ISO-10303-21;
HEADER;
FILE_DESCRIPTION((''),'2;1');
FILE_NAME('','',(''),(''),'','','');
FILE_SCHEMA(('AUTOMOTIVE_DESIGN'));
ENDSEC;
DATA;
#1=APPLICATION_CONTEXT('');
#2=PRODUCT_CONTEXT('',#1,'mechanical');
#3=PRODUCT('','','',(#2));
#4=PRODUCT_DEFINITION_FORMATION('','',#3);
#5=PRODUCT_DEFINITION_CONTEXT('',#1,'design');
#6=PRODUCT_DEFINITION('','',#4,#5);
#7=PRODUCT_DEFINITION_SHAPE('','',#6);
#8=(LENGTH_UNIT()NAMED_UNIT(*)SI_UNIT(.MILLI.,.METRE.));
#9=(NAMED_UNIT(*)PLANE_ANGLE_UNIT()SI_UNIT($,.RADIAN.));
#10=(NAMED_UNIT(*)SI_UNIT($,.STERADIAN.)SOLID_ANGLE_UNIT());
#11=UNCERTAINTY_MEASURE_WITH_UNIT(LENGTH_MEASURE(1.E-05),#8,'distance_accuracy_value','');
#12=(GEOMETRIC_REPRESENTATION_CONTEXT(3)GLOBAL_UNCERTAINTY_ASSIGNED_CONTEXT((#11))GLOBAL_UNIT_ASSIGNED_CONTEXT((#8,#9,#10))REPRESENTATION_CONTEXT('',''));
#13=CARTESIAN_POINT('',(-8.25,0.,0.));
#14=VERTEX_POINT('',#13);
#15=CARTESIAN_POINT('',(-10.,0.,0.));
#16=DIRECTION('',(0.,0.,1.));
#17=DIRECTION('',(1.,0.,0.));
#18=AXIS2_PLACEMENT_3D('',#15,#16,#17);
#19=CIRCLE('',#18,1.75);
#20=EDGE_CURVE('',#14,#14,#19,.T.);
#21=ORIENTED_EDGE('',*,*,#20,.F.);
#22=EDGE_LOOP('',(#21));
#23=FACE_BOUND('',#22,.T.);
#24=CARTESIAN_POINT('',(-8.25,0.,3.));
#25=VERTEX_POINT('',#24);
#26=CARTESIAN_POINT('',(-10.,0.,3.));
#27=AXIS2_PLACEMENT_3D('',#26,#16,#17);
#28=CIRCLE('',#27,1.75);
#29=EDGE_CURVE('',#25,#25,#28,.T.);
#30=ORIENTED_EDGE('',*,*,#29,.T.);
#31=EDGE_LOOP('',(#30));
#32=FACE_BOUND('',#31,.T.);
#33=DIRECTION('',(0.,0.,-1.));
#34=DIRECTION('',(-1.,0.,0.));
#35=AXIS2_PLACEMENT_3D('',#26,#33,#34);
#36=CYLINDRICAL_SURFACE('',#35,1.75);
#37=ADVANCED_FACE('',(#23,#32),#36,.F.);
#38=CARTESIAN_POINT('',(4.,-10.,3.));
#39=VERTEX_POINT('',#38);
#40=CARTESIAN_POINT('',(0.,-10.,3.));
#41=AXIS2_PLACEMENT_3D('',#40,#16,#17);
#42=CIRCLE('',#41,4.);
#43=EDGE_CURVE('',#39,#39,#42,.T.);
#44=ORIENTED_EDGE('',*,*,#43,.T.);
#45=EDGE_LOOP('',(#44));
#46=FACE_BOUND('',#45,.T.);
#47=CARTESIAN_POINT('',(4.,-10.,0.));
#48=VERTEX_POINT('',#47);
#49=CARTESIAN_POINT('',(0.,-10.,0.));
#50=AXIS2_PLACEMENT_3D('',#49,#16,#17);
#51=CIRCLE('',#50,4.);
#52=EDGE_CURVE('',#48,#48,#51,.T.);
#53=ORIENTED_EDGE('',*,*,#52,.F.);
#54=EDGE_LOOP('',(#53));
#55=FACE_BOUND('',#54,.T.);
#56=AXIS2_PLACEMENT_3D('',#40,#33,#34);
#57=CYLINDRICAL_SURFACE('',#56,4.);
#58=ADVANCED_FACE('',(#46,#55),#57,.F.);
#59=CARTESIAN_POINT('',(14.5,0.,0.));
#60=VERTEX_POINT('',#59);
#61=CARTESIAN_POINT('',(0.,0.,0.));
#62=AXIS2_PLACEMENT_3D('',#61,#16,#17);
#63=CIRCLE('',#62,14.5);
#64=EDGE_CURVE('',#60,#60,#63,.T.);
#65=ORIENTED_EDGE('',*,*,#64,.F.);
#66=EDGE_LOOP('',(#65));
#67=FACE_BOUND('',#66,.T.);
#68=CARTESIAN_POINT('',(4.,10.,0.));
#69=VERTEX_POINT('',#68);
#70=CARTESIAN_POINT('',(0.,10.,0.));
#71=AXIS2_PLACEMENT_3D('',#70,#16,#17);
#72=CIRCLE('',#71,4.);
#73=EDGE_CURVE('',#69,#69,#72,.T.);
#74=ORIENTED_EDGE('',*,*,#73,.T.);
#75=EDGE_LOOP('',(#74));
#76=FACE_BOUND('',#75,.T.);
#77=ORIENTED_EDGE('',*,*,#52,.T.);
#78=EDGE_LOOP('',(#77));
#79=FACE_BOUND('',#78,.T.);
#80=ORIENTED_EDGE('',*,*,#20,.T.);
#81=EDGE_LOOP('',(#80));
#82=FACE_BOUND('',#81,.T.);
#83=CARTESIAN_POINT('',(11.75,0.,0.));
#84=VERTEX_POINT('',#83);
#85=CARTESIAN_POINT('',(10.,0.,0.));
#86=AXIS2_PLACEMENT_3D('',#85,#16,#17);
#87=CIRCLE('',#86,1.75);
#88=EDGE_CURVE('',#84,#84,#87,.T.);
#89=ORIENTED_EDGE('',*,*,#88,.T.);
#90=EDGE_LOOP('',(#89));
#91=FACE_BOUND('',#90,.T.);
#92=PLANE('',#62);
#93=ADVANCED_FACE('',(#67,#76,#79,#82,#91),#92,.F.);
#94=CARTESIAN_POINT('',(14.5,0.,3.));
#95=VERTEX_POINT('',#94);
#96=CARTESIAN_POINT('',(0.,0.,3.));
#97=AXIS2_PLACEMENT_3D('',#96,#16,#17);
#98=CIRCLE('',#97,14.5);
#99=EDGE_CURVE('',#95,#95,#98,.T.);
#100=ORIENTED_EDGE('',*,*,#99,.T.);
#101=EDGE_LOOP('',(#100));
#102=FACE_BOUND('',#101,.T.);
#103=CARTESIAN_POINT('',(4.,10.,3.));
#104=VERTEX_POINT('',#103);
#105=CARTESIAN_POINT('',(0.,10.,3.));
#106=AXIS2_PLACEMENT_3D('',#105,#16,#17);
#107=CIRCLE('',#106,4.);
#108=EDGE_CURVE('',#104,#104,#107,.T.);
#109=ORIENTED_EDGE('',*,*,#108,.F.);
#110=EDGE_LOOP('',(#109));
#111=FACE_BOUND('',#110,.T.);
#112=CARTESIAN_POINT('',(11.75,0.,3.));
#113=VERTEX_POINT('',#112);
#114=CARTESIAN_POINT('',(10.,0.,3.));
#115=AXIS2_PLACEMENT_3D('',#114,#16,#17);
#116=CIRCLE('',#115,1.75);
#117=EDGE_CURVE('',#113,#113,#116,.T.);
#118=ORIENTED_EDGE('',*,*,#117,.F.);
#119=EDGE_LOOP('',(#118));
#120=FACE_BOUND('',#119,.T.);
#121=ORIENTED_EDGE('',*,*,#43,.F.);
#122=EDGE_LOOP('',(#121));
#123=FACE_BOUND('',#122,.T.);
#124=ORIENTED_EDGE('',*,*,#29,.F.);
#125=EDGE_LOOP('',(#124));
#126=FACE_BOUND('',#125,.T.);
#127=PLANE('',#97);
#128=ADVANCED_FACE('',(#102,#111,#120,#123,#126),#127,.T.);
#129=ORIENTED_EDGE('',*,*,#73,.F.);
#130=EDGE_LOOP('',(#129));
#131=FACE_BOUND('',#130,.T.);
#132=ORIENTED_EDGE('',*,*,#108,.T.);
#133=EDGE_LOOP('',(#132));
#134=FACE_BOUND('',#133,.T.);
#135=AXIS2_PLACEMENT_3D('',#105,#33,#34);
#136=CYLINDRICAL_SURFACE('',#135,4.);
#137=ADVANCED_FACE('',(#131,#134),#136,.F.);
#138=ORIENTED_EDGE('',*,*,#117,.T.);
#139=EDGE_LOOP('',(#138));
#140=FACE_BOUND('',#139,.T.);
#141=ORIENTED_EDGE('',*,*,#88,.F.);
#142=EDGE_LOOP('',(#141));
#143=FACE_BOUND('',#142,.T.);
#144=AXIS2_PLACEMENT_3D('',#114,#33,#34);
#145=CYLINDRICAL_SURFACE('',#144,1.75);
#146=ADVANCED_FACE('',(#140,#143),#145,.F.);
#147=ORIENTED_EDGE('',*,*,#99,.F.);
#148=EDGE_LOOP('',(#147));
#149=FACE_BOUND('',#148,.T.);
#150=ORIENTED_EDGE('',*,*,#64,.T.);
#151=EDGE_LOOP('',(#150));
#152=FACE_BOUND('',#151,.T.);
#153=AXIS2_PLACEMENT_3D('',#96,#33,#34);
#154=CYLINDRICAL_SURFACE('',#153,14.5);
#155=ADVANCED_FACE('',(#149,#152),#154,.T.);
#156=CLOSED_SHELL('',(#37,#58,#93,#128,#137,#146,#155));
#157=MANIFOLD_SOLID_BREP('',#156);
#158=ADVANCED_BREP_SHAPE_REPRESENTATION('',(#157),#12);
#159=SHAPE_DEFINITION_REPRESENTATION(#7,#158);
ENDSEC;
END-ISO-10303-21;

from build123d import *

# Parameters (mm, degrees)
SKETCH1_R           = 14.5
SKETCH1_R_2         = 1.75
SKETCH1_R_3         = 4
BOSS_EXTRUDE1_DEPTH = 3


with BuildPart() as part:
    # Sketch1 → Boss-Extrude1 (new body)
    with BuildSketch(Plane.XY):
        Circle(SKETCH1_R)
        with Locations((-10, 0)):
            Circle(SKETCH1_R_2, mode=Mode.SUBTRACT)
        with Locations((10, 0)):
            Circle(SKETCH1_R_2, mode=Mode.SUBTRACT)
        with Locations((0, -10)):
            Circle(SKETCH1_R_3, mode=Mode.SUBTRACT)
        with Locations((0, 10)):
            Circle(SKETCH1_R_3, mode=Mode.SUBTRACT)
    extrude(amount=BOSS_EXTRUDE1_DEPTH)


solid = part.part
